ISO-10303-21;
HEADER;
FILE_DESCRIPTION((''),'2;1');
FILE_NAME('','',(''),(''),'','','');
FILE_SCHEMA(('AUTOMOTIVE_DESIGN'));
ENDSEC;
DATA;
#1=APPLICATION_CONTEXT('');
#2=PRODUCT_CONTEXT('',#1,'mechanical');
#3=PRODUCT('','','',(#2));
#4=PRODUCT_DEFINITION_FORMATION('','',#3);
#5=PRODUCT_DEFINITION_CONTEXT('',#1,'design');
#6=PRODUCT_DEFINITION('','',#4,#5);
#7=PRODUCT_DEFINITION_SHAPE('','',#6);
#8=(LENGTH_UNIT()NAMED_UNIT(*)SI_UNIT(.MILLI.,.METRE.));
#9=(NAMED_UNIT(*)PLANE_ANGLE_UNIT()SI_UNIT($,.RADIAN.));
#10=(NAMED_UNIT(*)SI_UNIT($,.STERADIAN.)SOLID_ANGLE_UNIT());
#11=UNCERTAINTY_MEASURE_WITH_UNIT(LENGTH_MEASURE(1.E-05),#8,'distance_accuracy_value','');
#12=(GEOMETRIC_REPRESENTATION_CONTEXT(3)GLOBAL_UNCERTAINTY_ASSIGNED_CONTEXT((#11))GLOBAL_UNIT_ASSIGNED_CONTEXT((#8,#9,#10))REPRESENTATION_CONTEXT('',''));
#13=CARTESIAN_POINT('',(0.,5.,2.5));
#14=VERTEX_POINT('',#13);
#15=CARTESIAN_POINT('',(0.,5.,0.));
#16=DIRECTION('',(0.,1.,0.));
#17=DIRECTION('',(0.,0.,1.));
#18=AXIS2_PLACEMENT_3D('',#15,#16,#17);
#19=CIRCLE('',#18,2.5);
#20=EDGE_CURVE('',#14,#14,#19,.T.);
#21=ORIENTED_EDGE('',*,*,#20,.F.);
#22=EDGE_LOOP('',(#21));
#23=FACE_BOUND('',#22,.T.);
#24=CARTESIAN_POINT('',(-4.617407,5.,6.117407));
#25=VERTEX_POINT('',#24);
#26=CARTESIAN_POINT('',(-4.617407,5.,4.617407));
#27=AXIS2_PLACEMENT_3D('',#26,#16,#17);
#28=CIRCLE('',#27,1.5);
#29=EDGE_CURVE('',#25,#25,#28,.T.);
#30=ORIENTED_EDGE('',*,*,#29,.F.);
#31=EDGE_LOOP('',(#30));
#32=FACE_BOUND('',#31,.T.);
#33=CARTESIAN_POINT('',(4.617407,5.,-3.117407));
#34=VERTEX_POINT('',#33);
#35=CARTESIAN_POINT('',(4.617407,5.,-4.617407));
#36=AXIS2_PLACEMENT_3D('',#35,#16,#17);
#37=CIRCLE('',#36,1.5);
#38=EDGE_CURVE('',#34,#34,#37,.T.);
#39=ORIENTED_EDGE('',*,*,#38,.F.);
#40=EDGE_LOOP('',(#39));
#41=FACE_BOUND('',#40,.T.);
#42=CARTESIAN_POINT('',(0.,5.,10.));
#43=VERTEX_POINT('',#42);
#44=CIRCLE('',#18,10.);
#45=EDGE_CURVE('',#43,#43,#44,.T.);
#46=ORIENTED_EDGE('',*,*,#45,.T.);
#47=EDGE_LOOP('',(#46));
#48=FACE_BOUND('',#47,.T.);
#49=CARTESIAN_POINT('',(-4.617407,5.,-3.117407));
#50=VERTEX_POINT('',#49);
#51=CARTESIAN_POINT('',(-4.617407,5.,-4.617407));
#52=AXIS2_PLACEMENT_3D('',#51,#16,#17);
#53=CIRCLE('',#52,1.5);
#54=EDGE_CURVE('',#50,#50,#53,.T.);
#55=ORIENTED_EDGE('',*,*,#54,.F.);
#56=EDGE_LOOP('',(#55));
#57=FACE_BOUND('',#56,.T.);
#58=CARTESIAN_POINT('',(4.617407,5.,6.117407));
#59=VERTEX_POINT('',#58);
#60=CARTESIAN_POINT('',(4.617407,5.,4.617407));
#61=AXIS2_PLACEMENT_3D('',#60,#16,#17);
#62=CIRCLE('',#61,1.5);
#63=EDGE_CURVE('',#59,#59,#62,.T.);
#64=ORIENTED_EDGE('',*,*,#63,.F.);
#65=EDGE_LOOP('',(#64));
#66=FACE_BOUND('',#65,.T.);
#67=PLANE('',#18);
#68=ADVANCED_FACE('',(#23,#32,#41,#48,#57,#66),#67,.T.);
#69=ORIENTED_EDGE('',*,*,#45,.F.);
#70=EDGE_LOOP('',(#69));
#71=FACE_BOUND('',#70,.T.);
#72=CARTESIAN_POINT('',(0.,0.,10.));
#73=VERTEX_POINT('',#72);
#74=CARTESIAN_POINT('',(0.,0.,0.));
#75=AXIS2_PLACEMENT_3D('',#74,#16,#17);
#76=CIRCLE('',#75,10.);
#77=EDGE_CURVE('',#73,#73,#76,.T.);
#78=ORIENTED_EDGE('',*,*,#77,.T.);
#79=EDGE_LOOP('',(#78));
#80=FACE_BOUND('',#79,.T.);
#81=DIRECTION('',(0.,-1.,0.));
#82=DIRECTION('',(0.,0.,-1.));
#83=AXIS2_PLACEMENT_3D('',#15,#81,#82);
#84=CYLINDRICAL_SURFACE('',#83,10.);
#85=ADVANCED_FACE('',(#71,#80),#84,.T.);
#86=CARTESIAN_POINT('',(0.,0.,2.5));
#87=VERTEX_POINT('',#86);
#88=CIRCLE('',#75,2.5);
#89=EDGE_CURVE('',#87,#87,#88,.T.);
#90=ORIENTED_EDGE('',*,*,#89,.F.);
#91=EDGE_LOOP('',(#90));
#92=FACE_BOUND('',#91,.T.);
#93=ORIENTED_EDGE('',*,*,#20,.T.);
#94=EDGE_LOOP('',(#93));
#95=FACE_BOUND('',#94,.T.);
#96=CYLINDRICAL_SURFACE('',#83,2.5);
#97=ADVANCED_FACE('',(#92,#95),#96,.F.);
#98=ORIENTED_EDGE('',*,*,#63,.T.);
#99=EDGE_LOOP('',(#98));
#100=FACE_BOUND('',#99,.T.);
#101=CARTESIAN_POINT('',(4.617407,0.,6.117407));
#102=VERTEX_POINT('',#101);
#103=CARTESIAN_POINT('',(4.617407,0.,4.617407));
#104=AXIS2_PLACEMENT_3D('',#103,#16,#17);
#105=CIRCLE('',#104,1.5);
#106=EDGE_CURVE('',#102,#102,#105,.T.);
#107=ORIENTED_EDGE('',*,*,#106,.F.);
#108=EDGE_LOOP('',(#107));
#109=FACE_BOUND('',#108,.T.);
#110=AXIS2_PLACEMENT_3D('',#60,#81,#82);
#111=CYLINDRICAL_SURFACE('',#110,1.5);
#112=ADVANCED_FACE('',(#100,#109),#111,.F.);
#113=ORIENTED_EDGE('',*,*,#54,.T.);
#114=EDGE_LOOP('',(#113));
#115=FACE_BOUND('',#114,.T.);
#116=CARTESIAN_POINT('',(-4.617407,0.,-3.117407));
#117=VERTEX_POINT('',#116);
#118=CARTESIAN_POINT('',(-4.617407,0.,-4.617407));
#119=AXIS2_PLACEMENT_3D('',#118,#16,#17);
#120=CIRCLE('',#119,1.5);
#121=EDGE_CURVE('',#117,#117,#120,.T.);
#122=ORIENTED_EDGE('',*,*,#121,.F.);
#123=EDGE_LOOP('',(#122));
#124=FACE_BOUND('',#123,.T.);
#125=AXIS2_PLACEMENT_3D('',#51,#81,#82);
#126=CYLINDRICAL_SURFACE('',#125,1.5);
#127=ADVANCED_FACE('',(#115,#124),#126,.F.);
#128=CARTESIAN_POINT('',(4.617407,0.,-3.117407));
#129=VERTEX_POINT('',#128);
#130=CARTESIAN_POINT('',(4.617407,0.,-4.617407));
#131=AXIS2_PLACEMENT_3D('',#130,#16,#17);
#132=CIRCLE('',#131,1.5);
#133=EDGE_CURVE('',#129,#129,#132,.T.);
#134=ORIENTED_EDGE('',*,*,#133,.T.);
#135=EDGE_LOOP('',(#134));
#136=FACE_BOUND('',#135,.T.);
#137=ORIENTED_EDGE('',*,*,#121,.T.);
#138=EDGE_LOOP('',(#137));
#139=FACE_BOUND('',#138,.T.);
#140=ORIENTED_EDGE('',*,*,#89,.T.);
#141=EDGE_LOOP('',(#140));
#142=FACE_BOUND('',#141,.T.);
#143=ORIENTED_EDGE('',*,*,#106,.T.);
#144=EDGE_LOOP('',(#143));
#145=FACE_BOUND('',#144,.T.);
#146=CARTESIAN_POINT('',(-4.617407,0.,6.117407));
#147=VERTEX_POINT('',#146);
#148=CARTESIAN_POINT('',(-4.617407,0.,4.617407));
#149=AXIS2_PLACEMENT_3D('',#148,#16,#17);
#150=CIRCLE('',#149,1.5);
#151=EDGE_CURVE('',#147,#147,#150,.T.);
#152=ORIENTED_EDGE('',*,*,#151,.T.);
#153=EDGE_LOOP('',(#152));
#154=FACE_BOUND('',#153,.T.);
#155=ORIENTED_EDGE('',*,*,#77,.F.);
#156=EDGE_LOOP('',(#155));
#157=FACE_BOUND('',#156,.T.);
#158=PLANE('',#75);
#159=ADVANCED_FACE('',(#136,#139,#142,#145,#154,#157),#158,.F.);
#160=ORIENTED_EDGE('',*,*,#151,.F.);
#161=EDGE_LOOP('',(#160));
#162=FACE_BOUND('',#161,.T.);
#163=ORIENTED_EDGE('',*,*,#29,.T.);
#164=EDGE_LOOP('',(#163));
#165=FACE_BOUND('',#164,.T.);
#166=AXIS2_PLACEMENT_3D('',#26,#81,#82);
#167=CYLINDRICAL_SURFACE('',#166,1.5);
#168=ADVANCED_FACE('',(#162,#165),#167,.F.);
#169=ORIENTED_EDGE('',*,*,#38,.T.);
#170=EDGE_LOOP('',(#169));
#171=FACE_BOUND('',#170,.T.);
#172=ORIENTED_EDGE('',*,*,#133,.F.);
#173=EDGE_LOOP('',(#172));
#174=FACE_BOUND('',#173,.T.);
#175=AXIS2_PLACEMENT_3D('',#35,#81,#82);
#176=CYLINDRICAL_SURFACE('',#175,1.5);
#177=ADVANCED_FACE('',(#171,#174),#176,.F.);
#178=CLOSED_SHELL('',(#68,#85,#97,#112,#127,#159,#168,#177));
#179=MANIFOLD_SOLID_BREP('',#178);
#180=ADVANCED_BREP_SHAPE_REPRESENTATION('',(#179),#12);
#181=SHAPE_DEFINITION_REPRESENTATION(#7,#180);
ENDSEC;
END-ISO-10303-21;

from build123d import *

# Parameters (mm, degrees)
SKETCH_1_R      = 1.5
EXTRUDE_1_DEPTH = 5


with BuildPart() as part:
    # Эскиз1 → Бобышка-Вытянуть1 (new body)
    with BuildSketch(Plane(origin=(0, 0, 0), x_dir=(1, 0, 0), z_dir=(0, 1, 0))):
        with BuildLine():
            Line((0, 10), (0, 2.5))
            ThreePointArc((0, 2.5), (0.956708581, 2.309698831), (1.767766953, 1.767766953))
            Line((1.767766953, 1.767766953), (3.556747109, 3.556747109))
            ThreePointArc((3.556747109, 3.556747109), (3.556747109, 5.678067453), (5.678067453, 5.678067453))
            Line((5.678067453, 5.678067453), (7.071067812, 7.071067812))
            ThreePointArc((7.071067812, 7.071067812), (3.826834324, 9.238795325), (0, 10))
        make_face()
        with BuildLine():
            ThreePointArc((2.5, 0), (-1.767766953, -1.767766953), (0, 2.5))
            Line((0, 2.5), (0, 10))
            ThreePointArc((0, 10), (-7.071067812, -7.071067812), (10, 0))
            ThreePointArc((10, 0), (9.238795325, 3.826834324), (7.071067812, 7.071067812))
            Line((7.071067812, 7.071067812), (5.678067453, 5.678067453))
            ThreePointArc((5.678067453, 5.678067453), (6.00322658, 5.19143243), (6.117407281, 4.617407281))
            ThreePointArc((6.117407281, 4.617407281), (5.19143243, 3.231587982), (3.556747109, 3.556747109))
            Line((3.556747109, 3.556747109), (1.767766953, 1.767766953))
            ThreePointArc((1.767766953, 1.767766953), (2.309698831, 0.956708581), (2.5, 0))
        make_face()
        with Locations((-4.617407281, -4.617407281)):
            Circle(SKETCH_1_R, mode=Mode.SUBTRACT)
        with Locations((4.617407281, -4.617407281)):
            Circle(SKETCH_1_R, mode=Mode.SUBTRACT)
        with Locations((-4.617407281, 4.617407281)):
            Circle(SKETCH_1_R, mode=Mode.SUBTRACT)
    extrude(amount=EXTRUDE_1_DEPTH)


solid = part.part
